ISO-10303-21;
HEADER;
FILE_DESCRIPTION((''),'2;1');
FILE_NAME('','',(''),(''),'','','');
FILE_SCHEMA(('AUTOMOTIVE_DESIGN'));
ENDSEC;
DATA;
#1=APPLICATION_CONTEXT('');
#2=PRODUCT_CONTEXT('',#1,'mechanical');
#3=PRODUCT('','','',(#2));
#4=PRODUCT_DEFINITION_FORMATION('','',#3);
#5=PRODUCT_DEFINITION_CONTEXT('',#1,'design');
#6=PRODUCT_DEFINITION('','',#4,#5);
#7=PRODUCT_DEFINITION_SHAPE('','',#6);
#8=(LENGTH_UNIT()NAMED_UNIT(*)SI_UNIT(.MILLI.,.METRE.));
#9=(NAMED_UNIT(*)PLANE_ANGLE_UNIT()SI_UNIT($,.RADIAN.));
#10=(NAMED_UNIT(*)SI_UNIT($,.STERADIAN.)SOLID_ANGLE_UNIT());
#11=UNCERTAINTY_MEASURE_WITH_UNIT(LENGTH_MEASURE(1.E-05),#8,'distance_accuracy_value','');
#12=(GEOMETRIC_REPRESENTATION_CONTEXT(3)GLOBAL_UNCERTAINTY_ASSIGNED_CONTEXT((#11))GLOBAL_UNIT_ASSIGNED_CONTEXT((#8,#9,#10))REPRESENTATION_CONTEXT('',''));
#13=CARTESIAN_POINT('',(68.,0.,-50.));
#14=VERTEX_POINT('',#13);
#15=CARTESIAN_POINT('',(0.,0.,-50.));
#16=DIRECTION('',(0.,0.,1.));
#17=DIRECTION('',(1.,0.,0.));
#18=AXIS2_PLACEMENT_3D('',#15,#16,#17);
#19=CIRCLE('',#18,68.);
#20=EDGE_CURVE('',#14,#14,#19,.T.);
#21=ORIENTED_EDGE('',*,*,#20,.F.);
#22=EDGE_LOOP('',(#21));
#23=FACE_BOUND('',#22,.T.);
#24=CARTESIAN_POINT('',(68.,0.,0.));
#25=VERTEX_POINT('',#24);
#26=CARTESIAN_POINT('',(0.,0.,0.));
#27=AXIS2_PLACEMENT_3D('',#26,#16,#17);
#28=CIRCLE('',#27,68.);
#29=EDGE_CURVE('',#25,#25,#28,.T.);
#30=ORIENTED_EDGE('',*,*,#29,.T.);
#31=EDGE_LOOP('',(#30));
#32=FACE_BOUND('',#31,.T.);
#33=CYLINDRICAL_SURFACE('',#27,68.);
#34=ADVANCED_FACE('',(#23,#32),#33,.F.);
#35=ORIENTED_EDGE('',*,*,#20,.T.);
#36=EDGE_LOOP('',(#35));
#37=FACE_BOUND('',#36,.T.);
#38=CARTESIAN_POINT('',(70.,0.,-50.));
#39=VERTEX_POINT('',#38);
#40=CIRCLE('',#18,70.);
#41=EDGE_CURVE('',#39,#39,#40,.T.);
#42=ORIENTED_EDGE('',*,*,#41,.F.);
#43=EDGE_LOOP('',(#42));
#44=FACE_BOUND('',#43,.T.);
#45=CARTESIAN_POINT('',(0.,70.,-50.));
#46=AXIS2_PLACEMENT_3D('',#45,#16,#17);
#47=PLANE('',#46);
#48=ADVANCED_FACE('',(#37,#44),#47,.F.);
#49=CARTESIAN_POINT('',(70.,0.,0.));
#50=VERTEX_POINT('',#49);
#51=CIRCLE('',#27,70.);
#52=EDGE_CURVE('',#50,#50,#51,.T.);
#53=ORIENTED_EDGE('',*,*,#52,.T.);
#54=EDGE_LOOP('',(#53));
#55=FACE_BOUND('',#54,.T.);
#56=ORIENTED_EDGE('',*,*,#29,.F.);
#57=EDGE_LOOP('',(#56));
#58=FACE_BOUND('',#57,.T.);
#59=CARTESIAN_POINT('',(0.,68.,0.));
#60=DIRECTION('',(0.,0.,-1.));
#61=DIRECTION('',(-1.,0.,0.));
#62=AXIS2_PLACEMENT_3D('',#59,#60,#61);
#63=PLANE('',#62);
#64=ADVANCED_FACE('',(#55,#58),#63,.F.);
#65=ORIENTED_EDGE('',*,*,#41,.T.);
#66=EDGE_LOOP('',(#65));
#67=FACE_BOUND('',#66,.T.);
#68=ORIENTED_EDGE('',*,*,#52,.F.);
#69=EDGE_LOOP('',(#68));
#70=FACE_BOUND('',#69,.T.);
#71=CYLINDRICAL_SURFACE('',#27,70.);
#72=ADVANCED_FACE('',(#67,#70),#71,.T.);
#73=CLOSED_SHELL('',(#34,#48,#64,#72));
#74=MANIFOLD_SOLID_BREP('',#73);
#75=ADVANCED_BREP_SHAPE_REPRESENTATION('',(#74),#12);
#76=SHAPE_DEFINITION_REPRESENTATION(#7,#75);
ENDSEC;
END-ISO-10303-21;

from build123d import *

# Parameters (mm, degrees)
SKETCH_1_W = 50
SKETCH_1_H = 2


with BuildPart() as part:
    # Эскиз1 → Повернуть1 (revolve)
    with BuildSketch(Plane(origin=(0, 0, 0), x_dir=(0, 0, -1), z_dir=(1, 0, 0)), mode=Mode.PRIVATE) as revolve_1_sk:
        with Locations((25, 69)):
            Rectangle(SKETCH_1_W, SKETCH_1_H)
    revolve(revolve_1_sk.sketch.rotate(Axis((0, 0, 0), (0, 0, -1)), 90), axis=Axis((0, 0, 0), (0, 0, -1)))


solid = part.part
